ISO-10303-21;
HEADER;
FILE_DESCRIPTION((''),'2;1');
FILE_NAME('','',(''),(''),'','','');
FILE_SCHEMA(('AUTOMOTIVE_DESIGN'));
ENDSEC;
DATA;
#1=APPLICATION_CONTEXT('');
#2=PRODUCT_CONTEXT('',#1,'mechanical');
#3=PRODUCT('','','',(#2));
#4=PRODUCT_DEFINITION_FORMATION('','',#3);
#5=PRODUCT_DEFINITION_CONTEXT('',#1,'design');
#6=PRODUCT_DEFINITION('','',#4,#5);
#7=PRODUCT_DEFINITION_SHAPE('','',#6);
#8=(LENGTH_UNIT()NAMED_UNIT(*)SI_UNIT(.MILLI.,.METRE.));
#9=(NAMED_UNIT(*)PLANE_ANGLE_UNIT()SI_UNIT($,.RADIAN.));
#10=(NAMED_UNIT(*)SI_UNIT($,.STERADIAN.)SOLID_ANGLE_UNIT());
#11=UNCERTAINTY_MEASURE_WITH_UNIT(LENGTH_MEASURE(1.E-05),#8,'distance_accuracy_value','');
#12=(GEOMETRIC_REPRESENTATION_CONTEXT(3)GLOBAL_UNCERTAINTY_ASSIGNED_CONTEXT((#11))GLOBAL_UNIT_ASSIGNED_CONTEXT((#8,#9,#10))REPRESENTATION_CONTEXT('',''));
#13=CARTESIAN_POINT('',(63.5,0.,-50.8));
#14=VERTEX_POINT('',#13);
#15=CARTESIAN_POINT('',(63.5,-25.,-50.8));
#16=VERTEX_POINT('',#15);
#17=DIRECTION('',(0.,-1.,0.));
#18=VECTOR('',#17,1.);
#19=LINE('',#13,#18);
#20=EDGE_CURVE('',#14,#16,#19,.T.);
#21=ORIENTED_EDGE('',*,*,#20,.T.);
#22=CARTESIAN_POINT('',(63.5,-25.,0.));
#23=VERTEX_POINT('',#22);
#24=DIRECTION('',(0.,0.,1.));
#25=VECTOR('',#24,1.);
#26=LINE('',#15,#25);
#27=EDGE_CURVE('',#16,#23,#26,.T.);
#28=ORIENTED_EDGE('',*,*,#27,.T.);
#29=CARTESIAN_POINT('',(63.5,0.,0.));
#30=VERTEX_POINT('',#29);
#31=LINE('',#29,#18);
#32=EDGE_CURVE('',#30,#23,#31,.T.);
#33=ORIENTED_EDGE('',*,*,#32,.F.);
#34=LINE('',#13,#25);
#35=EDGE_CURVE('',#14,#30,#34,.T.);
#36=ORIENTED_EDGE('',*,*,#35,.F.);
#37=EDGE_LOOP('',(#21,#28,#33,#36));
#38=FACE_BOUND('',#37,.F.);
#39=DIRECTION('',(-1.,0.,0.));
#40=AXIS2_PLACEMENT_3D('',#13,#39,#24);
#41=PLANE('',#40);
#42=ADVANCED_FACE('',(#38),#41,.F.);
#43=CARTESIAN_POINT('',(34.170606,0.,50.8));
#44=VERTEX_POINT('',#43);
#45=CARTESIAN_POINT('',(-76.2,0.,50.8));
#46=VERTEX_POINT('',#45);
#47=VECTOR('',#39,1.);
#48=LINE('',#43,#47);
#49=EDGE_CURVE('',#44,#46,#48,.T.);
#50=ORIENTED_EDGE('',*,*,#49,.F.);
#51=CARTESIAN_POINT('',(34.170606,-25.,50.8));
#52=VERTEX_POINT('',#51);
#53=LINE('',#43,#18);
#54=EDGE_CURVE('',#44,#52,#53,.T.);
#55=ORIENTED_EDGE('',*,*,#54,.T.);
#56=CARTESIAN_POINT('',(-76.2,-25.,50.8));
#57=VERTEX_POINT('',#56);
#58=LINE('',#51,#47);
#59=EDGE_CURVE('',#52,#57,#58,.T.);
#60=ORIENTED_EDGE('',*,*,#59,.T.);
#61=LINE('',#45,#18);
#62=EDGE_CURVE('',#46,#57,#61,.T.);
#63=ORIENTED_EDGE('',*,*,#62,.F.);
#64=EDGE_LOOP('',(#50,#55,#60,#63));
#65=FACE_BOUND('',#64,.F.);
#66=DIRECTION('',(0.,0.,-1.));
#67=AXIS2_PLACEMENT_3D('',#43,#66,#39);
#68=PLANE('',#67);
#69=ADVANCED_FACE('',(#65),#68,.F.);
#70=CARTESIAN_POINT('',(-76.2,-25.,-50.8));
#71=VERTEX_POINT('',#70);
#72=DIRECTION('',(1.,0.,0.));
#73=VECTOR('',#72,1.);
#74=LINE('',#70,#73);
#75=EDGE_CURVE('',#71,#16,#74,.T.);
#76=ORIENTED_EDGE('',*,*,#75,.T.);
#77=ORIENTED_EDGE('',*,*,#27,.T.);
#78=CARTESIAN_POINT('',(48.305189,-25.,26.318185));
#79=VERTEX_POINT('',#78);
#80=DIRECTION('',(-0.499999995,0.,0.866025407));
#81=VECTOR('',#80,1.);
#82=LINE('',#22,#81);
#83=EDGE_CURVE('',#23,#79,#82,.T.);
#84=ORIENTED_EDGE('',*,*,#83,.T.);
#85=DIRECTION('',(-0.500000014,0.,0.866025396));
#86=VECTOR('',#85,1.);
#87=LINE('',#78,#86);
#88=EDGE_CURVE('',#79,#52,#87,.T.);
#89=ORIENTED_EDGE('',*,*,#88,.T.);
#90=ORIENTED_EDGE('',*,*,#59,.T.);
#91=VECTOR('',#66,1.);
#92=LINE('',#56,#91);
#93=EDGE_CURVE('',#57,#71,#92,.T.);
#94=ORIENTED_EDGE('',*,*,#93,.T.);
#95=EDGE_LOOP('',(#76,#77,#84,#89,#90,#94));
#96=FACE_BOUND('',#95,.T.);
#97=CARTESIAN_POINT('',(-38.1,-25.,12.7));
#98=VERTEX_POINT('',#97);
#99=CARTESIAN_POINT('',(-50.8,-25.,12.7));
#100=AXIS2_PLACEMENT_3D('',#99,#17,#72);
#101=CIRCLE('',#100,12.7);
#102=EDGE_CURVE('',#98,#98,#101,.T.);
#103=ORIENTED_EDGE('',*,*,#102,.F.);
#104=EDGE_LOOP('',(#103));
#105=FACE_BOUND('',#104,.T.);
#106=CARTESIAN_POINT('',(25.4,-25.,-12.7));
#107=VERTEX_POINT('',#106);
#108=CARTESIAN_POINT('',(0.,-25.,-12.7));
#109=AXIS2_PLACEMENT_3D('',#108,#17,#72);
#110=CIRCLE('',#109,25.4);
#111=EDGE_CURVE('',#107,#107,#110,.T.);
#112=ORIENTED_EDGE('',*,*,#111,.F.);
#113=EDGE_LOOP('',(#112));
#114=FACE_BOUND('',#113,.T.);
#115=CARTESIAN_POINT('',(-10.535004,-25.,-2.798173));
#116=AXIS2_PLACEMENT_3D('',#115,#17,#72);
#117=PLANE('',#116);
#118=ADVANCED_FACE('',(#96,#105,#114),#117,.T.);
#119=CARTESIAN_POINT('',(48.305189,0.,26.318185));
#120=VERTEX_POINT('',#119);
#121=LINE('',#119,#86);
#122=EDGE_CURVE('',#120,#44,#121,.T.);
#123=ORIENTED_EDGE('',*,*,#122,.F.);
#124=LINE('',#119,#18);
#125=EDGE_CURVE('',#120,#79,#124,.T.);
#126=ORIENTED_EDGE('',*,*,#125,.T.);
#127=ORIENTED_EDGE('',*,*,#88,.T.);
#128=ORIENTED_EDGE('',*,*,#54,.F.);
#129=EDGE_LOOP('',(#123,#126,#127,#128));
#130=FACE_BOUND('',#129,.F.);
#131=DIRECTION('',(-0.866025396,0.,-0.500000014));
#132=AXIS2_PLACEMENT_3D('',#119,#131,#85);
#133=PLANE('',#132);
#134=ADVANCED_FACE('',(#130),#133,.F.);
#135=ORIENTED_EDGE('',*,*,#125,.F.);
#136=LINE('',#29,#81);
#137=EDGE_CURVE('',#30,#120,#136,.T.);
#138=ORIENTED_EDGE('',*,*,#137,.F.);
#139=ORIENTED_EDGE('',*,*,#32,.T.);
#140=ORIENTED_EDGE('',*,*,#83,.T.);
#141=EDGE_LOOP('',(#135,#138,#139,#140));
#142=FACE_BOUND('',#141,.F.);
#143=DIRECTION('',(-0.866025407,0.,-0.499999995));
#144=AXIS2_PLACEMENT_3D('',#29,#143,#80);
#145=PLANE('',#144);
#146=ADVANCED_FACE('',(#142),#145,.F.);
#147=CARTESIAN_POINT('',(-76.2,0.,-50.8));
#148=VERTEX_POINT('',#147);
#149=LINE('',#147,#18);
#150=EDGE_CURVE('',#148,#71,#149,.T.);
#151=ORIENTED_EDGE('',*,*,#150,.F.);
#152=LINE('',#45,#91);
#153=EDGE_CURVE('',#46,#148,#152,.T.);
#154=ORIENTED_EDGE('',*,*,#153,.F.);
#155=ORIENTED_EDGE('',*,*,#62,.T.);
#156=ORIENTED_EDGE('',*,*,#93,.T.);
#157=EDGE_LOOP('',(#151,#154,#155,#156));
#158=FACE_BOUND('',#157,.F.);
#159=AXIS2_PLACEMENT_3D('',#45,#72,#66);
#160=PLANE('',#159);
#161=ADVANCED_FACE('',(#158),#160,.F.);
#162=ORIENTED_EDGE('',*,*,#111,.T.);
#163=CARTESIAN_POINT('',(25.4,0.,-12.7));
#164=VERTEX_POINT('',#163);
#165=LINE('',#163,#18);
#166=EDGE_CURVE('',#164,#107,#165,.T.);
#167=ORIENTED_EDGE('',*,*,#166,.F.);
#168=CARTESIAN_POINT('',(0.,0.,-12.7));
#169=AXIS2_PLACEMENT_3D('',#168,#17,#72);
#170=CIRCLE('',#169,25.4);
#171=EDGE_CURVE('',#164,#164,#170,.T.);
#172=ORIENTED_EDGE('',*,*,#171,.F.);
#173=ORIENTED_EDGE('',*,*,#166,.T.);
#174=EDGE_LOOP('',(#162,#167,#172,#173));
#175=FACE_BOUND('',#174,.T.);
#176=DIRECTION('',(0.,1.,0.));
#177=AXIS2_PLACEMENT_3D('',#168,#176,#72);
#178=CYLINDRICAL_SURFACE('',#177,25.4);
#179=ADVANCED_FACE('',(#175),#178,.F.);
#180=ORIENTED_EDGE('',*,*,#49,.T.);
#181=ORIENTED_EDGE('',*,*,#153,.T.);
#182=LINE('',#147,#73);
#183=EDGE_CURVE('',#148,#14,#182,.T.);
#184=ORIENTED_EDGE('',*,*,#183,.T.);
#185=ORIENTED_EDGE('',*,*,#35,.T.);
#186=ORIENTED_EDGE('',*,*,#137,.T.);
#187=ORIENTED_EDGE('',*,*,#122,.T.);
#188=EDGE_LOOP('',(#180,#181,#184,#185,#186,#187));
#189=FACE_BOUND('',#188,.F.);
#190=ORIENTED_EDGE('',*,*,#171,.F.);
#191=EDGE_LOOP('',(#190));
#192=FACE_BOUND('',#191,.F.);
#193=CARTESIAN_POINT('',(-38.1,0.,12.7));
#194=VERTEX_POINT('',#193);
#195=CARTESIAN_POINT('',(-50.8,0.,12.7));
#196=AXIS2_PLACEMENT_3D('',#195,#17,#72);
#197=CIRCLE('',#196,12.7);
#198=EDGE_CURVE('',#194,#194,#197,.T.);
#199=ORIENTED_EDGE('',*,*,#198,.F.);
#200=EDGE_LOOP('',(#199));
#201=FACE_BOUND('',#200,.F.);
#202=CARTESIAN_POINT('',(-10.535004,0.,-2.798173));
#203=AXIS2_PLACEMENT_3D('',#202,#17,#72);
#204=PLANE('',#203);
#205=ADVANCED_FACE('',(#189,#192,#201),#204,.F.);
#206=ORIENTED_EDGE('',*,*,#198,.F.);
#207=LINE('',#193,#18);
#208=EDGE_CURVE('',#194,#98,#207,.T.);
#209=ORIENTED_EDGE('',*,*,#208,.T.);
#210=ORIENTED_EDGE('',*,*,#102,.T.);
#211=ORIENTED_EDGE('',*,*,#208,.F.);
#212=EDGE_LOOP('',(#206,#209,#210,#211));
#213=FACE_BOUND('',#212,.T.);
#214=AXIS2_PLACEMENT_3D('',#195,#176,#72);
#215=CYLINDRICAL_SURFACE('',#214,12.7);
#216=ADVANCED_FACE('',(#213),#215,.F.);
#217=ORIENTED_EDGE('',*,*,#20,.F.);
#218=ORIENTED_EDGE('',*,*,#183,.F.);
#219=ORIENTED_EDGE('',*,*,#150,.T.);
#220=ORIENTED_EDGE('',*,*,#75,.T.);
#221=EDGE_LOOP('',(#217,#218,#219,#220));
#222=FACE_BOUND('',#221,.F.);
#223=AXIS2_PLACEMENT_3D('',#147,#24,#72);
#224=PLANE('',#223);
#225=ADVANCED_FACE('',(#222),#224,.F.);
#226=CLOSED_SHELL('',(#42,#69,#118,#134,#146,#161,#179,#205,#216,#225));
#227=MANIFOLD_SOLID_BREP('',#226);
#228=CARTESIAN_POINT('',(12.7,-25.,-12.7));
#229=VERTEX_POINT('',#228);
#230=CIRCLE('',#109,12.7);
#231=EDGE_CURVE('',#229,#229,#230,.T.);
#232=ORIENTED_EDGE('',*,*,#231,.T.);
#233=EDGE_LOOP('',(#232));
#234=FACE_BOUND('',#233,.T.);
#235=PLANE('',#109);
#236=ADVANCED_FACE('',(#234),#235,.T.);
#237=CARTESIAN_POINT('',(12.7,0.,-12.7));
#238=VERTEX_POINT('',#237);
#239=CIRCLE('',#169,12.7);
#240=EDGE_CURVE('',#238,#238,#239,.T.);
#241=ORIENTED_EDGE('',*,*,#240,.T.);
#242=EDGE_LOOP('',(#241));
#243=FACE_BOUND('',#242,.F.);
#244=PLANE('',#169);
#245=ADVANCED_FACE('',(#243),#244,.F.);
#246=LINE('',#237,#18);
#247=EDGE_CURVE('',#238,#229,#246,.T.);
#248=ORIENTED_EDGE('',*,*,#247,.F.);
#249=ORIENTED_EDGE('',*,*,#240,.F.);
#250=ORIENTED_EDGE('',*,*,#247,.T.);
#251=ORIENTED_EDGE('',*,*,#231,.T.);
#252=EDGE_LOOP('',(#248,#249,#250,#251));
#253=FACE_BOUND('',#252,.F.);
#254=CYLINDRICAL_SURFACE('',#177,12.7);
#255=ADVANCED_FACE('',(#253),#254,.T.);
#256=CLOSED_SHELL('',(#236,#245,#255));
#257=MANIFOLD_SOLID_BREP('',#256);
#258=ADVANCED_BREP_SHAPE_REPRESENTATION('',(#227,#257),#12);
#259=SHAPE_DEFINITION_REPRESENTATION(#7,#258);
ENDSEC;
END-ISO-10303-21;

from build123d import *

# Parameters (mm, degrees)
F0_R     = 25.4
F0_R_2   = 12.7
F1_DEPTH = 25


with BuildPart() as f1:
    # F0 (on Front) → F1 (new body)
    with BuildSketch(Plane.XZ):
        Polygon((-50.8, 50.8), (-76.2, 50.8), (-76.2, 12.7), (-76.2, -50.8), (0, -50.8), (63.5, -50.8), (63.5, 0), (48.305189, 26.318185), (34.170606, 50.8), align=None)
        with Locations((0, -12.7)):
            Circle(F0_R, mode=Mode.SUBTRACT)
        with Locations((-50.8, 12.7)):
            Circle(F0_R_2, mode=Mode.SUBTRACT)
        with Locations((0, -12.7)):
            Circle(F0_R_2)
    extrude(amount=F1_DEPTH)


solid = f1.part
